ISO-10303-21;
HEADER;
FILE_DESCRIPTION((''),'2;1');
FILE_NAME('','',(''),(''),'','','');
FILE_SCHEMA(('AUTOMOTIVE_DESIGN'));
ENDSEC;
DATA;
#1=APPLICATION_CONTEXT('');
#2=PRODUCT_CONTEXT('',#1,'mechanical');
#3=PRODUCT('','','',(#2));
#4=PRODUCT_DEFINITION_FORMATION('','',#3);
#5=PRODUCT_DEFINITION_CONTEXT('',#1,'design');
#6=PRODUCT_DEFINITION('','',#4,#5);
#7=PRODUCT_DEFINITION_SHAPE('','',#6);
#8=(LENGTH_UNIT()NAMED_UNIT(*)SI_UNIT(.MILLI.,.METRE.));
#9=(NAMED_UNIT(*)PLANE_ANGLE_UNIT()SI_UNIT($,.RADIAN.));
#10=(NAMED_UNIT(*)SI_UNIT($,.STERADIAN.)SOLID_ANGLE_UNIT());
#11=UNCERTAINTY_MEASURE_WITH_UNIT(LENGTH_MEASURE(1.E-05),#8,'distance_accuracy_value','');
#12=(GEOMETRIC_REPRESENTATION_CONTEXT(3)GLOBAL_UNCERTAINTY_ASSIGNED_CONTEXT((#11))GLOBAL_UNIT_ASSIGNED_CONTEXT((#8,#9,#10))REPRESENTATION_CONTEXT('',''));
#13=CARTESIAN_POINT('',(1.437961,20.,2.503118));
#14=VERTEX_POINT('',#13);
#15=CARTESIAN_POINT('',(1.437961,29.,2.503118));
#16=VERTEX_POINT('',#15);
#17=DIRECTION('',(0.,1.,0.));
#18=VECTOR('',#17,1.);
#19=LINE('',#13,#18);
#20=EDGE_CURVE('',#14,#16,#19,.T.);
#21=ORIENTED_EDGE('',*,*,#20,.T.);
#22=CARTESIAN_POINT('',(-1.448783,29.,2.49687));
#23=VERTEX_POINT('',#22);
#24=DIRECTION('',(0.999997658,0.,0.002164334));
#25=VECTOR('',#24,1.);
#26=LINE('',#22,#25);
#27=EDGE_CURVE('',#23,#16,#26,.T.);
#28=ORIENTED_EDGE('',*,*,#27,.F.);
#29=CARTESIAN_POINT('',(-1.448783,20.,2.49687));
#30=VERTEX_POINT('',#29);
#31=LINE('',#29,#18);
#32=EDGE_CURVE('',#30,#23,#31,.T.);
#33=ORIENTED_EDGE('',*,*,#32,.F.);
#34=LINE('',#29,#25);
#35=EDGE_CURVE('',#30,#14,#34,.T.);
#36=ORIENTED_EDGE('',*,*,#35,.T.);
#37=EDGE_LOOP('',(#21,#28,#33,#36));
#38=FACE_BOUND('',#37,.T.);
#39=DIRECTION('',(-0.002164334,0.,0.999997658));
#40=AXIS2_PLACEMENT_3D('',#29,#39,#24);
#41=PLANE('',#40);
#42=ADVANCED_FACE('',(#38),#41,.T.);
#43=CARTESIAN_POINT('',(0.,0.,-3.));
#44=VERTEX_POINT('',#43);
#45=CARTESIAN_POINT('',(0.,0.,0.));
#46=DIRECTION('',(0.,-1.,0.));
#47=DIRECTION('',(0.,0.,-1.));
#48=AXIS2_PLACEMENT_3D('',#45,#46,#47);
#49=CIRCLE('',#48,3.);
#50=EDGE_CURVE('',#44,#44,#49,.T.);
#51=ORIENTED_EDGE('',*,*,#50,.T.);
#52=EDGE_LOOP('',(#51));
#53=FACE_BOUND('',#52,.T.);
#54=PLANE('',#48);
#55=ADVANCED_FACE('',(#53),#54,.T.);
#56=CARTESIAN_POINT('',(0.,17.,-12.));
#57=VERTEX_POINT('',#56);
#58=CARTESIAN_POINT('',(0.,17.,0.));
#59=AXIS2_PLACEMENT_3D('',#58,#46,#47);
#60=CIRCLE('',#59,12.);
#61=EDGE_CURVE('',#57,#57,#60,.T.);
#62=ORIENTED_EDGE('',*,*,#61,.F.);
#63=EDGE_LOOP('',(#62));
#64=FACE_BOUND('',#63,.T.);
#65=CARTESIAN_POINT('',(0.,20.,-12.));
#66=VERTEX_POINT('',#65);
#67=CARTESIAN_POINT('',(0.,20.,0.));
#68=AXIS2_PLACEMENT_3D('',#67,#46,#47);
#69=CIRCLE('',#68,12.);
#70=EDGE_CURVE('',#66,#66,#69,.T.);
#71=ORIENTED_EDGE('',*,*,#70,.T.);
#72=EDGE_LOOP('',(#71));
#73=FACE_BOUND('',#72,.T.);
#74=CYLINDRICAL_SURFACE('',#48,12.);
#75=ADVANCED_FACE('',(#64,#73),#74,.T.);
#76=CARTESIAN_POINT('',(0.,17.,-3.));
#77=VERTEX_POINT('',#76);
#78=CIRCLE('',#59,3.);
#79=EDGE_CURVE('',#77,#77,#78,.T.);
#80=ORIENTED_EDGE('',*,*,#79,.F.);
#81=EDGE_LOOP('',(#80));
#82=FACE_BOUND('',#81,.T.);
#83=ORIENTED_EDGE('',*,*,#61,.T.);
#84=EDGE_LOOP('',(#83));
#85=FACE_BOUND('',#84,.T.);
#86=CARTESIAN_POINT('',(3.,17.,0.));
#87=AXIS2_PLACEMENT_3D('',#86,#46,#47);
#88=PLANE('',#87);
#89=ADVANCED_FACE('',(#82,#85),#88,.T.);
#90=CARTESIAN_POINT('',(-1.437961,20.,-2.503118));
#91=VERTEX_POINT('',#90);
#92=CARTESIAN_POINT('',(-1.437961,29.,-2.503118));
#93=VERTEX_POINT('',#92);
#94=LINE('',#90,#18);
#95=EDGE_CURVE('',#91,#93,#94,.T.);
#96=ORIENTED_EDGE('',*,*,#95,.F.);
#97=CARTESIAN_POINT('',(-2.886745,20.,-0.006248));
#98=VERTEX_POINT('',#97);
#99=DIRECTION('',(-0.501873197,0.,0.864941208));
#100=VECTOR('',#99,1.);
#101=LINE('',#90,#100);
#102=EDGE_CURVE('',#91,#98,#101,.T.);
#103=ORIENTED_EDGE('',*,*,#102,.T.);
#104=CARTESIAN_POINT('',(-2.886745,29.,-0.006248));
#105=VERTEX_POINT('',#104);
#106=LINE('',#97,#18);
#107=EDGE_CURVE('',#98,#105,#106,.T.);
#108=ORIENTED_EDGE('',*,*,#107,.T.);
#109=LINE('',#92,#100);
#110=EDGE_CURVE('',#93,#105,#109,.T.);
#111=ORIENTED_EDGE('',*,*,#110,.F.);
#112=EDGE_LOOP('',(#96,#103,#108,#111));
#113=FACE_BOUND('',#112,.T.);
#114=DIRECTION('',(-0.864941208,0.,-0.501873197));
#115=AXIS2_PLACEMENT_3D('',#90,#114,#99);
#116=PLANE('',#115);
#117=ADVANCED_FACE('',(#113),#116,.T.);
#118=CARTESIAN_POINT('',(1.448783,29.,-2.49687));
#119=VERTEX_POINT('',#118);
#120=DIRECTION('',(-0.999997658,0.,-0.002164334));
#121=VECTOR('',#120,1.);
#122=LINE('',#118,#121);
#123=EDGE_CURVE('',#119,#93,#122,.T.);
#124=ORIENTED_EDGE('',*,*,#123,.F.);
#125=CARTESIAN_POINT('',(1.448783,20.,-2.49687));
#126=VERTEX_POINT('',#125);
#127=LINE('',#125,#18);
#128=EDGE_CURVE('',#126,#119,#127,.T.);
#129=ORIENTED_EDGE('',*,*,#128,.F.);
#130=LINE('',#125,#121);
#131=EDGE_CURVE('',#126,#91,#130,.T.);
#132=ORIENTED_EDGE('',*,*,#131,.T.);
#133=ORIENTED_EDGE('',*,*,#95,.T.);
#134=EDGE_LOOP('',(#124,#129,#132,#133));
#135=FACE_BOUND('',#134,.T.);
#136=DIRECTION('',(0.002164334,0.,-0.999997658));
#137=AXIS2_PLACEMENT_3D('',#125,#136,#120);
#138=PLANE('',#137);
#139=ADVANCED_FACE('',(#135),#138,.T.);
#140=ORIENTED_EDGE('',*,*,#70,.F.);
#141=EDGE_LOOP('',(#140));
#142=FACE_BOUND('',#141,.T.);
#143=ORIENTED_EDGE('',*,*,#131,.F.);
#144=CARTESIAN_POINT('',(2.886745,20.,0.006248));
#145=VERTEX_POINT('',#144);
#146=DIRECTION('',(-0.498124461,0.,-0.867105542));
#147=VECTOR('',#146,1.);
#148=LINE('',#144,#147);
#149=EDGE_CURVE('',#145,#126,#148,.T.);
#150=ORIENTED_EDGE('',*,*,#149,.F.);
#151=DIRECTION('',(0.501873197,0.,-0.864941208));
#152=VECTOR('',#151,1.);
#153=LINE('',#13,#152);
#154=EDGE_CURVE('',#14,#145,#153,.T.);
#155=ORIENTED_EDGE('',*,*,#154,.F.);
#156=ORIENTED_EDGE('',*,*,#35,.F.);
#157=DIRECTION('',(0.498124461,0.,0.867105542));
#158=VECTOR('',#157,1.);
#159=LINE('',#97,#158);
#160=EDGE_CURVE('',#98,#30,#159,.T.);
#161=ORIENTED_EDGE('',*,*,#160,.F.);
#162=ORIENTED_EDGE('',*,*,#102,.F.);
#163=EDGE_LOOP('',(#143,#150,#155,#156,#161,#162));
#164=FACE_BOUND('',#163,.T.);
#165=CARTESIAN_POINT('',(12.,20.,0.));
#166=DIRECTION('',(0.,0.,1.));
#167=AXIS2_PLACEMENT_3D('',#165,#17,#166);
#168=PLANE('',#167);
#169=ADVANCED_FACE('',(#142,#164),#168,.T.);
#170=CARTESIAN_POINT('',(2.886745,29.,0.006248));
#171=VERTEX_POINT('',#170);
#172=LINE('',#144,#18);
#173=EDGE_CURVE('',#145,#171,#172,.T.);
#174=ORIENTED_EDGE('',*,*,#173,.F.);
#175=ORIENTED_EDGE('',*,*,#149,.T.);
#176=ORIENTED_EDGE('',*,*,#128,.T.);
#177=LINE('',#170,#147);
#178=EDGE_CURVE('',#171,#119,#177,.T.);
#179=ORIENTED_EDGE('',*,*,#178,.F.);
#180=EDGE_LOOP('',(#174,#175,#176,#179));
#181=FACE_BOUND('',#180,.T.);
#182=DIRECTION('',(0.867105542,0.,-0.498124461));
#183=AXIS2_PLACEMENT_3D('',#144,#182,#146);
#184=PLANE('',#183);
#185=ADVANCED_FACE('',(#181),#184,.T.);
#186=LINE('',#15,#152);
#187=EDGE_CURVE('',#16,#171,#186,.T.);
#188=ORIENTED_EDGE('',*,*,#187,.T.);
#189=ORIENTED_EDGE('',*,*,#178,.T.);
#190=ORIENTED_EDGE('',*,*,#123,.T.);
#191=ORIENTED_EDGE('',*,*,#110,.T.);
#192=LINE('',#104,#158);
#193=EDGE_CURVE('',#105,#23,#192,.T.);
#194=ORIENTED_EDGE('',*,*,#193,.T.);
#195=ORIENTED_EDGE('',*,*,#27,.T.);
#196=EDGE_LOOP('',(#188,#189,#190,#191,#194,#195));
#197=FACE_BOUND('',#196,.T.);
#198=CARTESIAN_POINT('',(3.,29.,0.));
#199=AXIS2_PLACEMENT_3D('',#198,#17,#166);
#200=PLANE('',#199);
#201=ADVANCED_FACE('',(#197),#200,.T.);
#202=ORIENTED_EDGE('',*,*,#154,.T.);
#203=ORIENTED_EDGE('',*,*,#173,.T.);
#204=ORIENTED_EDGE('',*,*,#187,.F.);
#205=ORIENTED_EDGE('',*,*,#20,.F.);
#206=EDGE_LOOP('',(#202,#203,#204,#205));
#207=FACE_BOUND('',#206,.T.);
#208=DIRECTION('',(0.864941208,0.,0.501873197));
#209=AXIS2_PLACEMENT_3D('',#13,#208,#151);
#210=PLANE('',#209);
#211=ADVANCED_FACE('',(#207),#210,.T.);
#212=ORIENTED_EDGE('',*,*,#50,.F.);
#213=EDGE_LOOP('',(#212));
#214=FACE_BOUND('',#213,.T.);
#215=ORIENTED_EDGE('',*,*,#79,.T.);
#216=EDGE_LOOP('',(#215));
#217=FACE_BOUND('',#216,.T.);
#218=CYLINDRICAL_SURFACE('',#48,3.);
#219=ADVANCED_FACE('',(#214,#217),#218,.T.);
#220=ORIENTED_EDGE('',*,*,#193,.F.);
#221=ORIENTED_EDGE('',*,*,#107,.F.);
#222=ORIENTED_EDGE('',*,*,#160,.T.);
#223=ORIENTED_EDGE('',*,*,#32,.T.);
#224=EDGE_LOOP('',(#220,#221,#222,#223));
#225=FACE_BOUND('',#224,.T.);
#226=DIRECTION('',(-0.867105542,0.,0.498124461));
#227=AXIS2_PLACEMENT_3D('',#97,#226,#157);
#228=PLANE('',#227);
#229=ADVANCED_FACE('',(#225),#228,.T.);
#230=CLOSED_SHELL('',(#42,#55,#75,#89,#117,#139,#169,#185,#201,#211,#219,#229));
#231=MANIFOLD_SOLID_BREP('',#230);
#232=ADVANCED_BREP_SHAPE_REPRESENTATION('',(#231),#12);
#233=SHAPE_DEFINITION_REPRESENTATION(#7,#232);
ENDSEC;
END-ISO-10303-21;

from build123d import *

# Parameters (mm, degrees)
CUT_EXTRUDE_START   = -9
SKETCH_2_R          = 3
CUT_EXTRUDE_2_DEPTH = 9


with BuildPart() as part:
    # ｽｹｯﾁ1 → 回転1 (revolve)
    with BuildSketch(Plane.XY, mode=Mode.PRIVATE) as revolve_1_sk:
        Polygon((0, 0), (0, 29), (3, 29), (3, 20), (12, 20), (12, 17), (3, 17), (3, 0), align=None)
    revolve(revolve_1_sk.sketch.rotate(Axis((0, 0, 0), (0, 1, 0)), 90), axis=Axis((0, 0, 0), (0, 1, 0)))

    # ｽｹｯﾁ2 → ｶｯﾄ - 押し出し2 (cut)
    with BuildSketch(Plane(origin=(0, 29, 0), x_dir=(1, 0, 0), z_dir=(0, 1, 0)).offset(CUT_EXTRUDE_START)):
        with Locations(Location((0, 0, 0), (0, 0, 90))):
            Circle(SKETCH_2_R)
        Polygon((1.437961457, -2.503118092), (2.886744585, -0.006247894), (1.448783128, 2.496870197), (-1.437961457, 2.503118092), (-2.886744585, 0.006247894), (-1.448783128, -2.496870197), align=None, mode=Mode.SUBTRACT)
    extrude(amount=CUT_EXTRUDE_2_DEPTH, mode=Mode.SUBTRACT)


solid = part.part
